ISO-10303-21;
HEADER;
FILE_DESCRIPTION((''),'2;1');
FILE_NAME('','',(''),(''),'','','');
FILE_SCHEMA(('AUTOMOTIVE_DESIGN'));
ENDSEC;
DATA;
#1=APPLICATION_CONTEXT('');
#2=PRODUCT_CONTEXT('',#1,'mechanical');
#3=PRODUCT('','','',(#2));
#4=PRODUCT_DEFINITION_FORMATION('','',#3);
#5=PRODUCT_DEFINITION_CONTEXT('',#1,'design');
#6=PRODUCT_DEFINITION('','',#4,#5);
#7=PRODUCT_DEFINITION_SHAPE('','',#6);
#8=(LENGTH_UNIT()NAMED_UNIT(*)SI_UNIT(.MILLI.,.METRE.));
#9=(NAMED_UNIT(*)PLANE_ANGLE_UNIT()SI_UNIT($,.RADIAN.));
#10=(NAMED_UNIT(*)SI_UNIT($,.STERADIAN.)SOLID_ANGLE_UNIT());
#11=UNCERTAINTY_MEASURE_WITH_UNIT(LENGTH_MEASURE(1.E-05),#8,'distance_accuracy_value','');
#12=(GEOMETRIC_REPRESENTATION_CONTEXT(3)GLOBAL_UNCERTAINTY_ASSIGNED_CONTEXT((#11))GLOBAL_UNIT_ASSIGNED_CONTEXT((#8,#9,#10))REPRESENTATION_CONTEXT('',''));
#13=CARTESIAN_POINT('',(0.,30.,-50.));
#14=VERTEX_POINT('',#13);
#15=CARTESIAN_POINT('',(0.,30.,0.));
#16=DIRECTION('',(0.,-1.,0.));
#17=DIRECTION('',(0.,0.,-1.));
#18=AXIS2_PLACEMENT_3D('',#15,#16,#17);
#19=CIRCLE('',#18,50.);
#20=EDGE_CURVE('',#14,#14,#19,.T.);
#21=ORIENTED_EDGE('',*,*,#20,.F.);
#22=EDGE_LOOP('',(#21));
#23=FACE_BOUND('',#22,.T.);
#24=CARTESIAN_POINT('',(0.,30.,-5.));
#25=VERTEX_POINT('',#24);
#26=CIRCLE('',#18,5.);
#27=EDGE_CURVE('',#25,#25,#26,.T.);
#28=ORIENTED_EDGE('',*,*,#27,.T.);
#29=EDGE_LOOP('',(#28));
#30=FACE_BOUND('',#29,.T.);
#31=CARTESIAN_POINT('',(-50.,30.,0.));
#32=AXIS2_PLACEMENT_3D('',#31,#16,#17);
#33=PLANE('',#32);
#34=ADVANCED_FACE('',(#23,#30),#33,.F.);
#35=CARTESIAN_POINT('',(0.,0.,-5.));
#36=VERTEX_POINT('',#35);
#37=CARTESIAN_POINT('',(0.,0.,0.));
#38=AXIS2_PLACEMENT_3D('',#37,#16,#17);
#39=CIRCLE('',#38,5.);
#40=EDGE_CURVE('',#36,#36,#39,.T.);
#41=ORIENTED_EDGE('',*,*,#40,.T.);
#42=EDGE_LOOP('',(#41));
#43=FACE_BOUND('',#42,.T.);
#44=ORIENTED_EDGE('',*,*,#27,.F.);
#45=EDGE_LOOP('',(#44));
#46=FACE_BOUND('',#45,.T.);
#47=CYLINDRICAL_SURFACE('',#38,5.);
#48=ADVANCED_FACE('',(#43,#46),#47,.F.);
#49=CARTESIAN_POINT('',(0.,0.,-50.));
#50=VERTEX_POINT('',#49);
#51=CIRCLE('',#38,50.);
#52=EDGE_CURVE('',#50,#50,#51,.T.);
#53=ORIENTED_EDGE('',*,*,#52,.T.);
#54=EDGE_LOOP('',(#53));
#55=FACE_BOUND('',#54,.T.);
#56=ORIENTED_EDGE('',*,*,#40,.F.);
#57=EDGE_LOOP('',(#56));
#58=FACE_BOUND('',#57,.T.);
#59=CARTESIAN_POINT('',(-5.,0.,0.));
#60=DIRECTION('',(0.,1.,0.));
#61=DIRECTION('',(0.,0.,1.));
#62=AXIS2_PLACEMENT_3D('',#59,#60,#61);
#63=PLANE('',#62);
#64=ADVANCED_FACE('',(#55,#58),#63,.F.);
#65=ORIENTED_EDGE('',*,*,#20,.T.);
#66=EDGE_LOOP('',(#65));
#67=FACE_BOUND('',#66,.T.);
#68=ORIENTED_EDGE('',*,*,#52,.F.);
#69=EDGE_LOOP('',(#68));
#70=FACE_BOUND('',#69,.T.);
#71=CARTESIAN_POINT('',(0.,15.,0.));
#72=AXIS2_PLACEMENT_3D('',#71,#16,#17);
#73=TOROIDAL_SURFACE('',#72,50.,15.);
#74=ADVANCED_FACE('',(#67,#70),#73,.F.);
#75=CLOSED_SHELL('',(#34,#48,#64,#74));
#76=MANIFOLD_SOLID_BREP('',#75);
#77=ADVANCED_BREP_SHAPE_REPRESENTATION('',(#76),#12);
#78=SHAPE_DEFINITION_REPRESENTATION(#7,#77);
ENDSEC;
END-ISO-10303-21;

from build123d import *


with BuildPart() as part:
    # Sketch1 → Revolve1 (revolve)
    with BuildSketch(Plane.XY, mode=Mode.PRIVATE) as revolve1_sk:
        with BuildLine():
            Line((-5, 0), (-50, 0))
            ThreePointArc((-50, 0), (-35, 15), (-50, 30))
            Line((-50, 30), (-5, 30))
            Line((-5, 30), (-5, 0))
        make_face()
    revolve(revolve1_sk.sketch.rotate(Axis((0, 0, 0), (0, 1, 0)), 270), axis=Axis((0, 0, 0), (0, 1, 0)))


solid = part.part
